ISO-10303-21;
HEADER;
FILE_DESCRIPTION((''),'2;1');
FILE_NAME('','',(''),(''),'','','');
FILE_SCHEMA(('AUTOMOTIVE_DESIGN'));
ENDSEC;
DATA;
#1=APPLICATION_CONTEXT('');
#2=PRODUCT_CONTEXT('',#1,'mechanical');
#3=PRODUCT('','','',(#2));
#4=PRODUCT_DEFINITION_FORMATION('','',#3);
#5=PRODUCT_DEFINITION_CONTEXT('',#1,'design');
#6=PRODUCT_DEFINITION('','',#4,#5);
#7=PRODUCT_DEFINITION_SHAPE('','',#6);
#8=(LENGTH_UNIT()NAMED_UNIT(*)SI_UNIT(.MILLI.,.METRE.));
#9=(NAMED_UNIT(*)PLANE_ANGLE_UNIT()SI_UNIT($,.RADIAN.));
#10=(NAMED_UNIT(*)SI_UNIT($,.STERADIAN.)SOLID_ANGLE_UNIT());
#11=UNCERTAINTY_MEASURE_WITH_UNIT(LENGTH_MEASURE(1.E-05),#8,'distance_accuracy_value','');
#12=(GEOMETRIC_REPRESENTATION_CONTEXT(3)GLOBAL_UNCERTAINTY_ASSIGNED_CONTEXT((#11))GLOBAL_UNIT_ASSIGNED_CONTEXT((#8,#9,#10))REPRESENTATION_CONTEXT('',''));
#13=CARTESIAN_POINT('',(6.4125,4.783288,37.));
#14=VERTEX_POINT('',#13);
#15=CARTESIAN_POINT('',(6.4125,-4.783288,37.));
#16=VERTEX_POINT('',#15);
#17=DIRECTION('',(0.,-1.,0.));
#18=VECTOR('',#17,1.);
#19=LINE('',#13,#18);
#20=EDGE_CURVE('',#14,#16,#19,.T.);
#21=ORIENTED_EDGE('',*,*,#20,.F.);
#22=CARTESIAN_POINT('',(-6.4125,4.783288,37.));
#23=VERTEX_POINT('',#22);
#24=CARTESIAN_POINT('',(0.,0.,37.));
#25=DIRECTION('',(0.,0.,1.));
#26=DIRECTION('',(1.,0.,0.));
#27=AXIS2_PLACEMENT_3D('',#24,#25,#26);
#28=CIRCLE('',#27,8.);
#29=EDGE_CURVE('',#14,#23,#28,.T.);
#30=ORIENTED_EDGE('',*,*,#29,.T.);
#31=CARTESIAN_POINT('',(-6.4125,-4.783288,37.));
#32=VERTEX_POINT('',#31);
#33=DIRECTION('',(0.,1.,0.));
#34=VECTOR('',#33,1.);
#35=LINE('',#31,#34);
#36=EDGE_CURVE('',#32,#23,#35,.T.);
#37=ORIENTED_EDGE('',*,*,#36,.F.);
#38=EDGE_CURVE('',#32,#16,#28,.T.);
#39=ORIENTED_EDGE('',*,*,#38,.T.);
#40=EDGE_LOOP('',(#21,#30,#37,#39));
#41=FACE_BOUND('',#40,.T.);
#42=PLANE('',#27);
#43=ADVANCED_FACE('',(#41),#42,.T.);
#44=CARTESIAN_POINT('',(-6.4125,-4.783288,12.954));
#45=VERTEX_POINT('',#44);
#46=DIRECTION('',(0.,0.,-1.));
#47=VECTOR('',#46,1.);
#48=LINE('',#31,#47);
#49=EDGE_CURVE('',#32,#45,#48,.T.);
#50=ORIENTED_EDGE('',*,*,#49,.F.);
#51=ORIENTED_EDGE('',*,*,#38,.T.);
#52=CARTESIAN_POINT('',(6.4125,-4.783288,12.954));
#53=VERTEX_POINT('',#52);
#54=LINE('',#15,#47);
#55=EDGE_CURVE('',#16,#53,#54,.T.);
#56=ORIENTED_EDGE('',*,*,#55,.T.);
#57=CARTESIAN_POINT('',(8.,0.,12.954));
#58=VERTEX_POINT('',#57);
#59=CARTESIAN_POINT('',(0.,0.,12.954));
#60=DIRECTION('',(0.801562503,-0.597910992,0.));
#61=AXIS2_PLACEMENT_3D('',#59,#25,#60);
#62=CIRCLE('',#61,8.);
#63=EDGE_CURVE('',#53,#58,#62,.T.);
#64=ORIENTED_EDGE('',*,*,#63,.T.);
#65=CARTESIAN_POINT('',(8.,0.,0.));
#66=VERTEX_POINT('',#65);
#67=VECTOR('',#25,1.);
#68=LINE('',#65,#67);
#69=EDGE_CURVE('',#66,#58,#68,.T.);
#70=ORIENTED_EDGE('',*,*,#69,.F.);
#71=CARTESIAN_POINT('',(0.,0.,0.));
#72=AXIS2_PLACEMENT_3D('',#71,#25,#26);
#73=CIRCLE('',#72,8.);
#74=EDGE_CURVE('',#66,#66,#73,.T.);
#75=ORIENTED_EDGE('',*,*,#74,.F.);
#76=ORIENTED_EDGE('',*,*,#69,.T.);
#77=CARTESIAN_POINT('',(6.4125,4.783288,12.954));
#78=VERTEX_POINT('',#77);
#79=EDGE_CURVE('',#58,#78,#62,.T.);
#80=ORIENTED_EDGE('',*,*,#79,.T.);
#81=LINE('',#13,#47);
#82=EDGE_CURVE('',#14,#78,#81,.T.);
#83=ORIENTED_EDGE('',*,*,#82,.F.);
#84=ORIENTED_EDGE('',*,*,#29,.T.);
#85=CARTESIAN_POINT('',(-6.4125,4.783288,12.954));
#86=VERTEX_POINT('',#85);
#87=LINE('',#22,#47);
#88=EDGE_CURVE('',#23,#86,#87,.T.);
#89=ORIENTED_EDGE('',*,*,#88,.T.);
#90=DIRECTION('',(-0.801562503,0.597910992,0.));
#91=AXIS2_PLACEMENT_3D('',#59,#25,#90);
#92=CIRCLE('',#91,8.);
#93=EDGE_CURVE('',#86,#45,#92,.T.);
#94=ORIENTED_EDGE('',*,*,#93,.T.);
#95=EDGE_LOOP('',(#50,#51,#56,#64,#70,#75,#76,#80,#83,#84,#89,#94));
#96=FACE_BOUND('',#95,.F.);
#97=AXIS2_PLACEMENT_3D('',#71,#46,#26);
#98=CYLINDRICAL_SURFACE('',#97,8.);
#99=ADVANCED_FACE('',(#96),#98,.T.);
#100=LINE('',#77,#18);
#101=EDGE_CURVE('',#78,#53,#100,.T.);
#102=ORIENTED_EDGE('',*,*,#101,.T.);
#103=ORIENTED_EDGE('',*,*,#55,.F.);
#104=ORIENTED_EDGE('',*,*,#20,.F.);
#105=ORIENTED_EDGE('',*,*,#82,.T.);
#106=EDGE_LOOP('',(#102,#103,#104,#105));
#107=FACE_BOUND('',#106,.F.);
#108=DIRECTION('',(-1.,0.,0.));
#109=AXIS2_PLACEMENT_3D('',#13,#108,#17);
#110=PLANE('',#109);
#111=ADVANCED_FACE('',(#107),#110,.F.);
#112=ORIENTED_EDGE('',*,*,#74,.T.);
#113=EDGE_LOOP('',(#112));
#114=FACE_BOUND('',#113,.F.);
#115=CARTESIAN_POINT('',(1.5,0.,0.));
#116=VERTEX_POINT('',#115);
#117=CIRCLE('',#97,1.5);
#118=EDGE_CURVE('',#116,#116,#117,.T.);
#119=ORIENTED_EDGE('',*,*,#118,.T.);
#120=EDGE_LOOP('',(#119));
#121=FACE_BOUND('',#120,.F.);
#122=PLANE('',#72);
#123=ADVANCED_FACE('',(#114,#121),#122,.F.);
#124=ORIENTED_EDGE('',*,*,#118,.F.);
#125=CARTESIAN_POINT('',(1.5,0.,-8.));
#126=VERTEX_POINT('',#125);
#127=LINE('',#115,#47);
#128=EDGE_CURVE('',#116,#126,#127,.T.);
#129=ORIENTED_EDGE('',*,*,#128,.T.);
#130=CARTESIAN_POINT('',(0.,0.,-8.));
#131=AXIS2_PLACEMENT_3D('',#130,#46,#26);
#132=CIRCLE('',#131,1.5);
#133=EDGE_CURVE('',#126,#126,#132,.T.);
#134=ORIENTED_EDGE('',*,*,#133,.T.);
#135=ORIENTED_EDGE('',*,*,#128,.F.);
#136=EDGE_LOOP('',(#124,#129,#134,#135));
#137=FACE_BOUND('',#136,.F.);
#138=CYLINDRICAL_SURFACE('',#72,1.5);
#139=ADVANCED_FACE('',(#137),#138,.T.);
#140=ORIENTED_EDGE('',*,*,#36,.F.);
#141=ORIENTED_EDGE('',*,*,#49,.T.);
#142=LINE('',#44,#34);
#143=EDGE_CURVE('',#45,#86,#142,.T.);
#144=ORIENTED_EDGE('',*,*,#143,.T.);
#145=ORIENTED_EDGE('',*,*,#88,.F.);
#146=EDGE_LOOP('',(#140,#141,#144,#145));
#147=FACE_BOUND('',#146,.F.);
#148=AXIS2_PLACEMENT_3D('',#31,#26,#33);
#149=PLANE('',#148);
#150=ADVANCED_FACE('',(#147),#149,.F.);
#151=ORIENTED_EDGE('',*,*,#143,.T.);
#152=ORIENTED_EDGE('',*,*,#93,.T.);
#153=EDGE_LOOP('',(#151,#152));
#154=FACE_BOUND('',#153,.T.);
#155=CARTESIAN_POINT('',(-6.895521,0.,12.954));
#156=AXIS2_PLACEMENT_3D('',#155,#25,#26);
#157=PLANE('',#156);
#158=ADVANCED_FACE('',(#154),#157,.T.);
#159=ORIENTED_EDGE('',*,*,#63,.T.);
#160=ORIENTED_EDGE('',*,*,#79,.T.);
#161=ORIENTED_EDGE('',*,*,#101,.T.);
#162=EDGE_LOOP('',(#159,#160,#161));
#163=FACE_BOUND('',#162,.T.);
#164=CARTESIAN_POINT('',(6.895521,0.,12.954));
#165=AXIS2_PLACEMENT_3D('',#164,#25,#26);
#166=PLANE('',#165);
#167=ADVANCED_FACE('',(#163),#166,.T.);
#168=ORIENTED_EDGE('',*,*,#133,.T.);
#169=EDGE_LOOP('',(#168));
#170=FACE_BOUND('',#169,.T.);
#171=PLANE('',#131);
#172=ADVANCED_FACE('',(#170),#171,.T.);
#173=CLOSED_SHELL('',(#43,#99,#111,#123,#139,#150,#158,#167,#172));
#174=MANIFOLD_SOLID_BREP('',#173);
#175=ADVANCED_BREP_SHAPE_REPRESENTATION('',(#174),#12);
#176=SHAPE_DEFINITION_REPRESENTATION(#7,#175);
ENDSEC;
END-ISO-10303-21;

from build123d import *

# Parameters (mm, degrees)
F0_R     = 8
F1_DEPTH = 37
F2_R     = 1.5
F3_DEPTH = 8
F6_DEPTH = 24.046


with BuildPart() as f1:
    # F0 (on Top) → F1 (new body)
    with BuildSketch(Plane.XY):
        Circle(F0_R)
    extrude(amount=F1_DEPTH)

    # F2 (on face) → F3 (join)
    with BuildSketch(Plane(origin=(0, 0, 0), x_dir=(1, 0, 0), z_dir=(0, 0, -1))):
        Circle(F2_R)
    extrude(amount=F3_DEPTH)

    # F5 (on face) → F6 (cut, through all)
    with BuildSketch(Plane.XY.offset(37)):
        with BuildLine():
            Line((-6.4125, -4.783288), (-6.4125, 4.783288))
            ThreePointArc((-6.4125, 4.783288), (-8, 0), (-6.4125, -4.783288))
        make_face()
        with BuildLine():
            ThreePointArc((6.4125, -4.783288), (8, 0), (6.4125, 4.783288))
            Line((6.4125, 4.783288), (6.4125, -4.783288))
        make_face()
    extrude(amount=-F6_DEPTH, mode=Mode.SUBTRACT)


solid = f1.part
